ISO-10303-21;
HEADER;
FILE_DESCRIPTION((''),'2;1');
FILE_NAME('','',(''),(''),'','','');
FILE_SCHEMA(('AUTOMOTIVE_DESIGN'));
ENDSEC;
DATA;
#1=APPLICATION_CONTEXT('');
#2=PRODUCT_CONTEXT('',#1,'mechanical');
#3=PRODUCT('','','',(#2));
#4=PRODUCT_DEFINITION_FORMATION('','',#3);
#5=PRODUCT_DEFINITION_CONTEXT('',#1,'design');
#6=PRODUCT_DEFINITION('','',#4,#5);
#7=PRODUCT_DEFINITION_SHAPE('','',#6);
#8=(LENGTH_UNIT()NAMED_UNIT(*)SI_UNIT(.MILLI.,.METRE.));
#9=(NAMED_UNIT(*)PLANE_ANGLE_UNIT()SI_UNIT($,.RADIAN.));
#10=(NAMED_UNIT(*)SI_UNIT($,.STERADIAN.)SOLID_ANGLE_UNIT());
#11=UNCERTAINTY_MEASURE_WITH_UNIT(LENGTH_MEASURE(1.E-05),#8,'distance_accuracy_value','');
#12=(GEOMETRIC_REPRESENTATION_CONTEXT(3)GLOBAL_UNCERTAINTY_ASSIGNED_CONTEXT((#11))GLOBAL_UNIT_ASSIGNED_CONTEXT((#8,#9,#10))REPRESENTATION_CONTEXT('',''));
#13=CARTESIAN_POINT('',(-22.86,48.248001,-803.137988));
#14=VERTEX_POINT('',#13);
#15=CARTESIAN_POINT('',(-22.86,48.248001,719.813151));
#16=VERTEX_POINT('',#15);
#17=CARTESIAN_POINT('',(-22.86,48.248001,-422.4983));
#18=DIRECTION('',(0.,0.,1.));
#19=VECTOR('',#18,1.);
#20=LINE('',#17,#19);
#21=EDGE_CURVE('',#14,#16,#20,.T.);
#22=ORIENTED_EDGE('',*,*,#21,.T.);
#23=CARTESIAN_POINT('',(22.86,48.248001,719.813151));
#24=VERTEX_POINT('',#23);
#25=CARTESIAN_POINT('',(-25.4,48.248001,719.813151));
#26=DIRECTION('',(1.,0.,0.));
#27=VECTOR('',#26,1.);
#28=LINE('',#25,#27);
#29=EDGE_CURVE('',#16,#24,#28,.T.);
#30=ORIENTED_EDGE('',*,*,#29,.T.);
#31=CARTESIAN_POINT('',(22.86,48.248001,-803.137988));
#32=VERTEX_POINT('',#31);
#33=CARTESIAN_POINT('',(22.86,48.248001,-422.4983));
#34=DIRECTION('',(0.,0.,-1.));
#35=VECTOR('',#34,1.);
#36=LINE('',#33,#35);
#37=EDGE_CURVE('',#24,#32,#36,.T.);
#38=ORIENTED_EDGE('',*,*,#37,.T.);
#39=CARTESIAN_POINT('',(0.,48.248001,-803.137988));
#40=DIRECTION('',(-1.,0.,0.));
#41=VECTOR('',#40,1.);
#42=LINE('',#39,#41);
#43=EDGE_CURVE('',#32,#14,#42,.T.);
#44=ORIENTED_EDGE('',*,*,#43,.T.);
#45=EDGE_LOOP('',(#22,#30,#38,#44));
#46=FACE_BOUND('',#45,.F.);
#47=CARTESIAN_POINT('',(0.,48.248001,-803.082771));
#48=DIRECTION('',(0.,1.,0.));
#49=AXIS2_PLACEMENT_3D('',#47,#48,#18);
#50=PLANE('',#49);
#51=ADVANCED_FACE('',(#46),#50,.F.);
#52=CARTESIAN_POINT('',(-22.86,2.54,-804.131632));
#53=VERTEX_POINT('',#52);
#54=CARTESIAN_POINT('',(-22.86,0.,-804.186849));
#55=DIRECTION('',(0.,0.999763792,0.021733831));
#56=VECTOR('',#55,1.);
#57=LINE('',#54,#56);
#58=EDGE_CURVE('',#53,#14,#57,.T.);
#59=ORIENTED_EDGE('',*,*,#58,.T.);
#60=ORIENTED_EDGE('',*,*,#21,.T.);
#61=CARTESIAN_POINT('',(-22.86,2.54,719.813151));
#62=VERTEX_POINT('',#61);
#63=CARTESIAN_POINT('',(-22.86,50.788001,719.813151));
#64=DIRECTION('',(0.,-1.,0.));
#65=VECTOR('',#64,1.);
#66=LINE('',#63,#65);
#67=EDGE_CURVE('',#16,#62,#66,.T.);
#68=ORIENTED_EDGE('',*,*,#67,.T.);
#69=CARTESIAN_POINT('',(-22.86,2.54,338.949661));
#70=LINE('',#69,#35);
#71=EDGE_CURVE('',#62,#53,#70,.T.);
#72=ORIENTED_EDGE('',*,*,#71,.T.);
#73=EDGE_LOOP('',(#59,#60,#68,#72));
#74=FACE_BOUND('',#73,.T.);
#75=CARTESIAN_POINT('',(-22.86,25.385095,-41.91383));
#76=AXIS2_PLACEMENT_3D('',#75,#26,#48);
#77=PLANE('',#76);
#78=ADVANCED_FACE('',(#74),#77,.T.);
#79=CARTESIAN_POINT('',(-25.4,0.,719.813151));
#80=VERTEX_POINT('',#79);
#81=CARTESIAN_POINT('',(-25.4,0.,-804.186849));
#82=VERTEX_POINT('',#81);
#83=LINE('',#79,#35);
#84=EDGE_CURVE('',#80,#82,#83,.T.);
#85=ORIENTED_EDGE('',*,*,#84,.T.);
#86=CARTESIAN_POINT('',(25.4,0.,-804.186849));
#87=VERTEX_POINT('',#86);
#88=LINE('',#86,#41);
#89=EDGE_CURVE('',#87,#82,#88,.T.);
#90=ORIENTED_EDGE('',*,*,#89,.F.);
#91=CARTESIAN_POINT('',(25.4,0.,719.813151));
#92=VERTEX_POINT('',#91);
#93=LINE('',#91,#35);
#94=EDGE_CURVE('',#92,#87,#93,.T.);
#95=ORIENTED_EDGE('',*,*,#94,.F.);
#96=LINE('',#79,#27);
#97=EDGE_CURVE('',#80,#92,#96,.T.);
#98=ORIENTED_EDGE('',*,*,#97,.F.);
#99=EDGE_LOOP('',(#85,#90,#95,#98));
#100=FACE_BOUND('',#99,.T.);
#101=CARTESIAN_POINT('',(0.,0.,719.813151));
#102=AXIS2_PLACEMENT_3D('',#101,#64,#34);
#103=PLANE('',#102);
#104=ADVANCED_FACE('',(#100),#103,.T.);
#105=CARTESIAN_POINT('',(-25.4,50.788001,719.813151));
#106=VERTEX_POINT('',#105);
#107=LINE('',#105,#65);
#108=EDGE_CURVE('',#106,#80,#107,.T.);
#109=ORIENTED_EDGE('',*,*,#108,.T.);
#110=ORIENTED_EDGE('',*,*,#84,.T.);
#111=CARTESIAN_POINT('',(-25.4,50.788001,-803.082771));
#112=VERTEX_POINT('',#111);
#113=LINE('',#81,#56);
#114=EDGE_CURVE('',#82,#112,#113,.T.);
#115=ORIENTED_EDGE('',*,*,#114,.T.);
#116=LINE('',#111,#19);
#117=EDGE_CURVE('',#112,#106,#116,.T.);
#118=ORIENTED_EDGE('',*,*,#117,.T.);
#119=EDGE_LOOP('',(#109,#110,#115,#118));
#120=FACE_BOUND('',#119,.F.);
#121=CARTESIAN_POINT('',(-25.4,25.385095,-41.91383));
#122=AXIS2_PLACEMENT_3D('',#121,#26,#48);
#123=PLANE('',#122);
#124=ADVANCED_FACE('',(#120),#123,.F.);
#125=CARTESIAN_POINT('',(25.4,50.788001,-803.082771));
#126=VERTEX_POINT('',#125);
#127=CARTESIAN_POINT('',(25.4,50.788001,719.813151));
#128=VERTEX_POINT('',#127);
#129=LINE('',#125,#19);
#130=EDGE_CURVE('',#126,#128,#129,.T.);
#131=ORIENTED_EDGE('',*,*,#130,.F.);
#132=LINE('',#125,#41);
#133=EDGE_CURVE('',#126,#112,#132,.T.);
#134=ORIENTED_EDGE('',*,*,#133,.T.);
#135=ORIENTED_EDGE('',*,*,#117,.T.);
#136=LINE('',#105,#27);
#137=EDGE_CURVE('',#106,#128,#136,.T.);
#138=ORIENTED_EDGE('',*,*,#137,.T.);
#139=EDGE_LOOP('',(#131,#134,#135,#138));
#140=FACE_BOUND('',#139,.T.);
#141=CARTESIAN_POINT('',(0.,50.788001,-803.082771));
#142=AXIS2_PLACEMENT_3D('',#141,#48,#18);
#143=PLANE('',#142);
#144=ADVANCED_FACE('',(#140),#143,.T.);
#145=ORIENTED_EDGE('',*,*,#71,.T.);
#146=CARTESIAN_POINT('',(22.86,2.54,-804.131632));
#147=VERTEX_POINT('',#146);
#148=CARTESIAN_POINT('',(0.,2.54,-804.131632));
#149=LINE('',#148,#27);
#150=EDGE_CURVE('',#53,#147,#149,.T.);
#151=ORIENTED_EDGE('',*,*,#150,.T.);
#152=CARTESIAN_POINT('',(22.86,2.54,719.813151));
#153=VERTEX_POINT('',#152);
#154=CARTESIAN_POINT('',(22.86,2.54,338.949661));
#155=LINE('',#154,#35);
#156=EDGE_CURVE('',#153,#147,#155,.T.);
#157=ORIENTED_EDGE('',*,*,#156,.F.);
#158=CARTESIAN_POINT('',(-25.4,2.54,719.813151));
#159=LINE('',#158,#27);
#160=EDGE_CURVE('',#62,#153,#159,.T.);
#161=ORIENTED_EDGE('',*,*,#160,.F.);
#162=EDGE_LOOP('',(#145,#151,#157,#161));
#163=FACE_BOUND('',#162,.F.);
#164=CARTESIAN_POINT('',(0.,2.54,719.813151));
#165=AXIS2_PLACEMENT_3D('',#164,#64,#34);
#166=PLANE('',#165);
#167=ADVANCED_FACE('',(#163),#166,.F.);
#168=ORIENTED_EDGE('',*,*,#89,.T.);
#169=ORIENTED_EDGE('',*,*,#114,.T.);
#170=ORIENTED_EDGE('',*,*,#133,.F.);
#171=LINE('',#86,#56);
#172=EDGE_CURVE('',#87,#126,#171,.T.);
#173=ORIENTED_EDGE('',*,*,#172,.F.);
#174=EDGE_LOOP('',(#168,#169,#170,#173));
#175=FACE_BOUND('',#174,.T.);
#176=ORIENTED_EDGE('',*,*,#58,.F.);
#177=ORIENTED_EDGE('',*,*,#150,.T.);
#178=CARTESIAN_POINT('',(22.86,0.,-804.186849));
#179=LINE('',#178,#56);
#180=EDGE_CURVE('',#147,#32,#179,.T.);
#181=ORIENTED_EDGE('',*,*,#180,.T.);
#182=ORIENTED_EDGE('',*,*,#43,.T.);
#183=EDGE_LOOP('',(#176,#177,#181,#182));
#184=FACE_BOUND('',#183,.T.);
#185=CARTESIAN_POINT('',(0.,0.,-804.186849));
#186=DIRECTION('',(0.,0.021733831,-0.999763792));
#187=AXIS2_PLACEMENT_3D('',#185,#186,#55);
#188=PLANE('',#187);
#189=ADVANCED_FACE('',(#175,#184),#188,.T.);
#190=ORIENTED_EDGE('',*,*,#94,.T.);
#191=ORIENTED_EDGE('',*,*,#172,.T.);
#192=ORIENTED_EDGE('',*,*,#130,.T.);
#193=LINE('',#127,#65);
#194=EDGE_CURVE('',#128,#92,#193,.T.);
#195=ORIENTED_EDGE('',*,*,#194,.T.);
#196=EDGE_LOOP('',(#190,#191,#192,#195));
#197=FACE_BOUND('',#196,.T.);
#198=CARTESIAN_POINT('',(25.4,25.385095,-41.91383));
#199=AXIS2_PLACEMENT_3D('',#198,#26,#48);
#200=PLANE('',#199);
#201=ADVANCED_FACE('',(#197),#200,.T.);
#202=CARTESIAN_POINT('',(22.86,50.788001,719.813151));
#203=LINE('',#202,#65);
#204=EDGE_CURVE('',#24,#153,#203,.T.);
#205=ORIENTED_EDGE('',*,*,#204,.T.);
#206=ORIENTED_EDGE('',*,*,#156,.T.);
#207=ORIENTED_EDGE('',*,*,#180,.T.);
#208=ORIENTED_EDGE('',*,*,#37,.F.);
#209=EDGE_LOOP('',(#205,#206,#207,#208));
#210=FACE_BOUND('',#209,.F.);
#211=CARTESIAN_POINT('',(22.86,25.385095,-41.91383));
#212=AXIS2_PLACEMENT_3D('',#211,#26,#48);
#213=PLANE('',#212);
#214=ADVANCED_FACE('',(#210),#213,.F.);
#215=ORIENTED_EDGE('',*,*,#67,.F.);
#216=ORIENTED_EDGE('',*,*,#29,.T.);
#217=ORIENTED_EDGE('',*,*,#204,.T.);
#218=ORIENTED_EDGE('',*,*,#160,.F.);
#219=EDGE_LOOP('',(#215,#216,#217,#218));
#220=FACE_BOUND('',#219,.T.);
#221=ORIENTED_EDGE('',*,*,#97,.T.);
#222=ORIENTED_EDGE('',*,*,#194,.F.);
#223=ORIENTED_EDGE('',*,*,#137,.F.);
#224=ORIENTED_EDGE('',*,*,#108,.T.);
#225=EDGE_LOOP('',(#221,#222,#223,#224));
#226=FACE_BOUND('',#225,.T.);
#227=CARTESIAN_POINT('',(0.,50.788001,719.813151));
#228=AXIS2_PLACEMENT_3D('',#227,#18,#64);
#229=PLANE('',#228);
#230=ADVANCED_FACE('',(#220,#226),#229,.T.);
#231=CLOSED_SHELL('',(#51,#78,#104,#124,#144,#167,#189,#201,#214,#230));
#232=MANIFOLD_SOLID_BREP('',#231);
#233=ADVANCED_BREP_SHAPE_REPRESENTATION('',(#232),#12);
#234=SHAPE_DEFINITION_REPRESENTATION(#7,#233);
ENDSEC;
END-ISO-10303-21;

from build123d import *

# Parameters (mm, degrees)
F1_DEPTH = 25.4
F2_T     = -2.54


with BuildPart() as f1:
    # F0 (on Right) → F1 (new body, symmetric)
    with BuildSketch(Plane.YZ):
        Polygon((50.788000654, -803.0827707632), (50.788000654, 719.8131506325), (0, 719.8131506325), (0, -804.1868493675), align=None)
    extrude(amount=F1_DEPTH, both=True)

    # F2
    f2_openings = [f1.faces().sort_by_distance(p)[0] for p in [
        (0, 25.394, -803.63481),
        (0, 25.394, 719.813151),
    ]]
    offset(amount=F2_T, openings=f2_openings)


solid = f1.part
